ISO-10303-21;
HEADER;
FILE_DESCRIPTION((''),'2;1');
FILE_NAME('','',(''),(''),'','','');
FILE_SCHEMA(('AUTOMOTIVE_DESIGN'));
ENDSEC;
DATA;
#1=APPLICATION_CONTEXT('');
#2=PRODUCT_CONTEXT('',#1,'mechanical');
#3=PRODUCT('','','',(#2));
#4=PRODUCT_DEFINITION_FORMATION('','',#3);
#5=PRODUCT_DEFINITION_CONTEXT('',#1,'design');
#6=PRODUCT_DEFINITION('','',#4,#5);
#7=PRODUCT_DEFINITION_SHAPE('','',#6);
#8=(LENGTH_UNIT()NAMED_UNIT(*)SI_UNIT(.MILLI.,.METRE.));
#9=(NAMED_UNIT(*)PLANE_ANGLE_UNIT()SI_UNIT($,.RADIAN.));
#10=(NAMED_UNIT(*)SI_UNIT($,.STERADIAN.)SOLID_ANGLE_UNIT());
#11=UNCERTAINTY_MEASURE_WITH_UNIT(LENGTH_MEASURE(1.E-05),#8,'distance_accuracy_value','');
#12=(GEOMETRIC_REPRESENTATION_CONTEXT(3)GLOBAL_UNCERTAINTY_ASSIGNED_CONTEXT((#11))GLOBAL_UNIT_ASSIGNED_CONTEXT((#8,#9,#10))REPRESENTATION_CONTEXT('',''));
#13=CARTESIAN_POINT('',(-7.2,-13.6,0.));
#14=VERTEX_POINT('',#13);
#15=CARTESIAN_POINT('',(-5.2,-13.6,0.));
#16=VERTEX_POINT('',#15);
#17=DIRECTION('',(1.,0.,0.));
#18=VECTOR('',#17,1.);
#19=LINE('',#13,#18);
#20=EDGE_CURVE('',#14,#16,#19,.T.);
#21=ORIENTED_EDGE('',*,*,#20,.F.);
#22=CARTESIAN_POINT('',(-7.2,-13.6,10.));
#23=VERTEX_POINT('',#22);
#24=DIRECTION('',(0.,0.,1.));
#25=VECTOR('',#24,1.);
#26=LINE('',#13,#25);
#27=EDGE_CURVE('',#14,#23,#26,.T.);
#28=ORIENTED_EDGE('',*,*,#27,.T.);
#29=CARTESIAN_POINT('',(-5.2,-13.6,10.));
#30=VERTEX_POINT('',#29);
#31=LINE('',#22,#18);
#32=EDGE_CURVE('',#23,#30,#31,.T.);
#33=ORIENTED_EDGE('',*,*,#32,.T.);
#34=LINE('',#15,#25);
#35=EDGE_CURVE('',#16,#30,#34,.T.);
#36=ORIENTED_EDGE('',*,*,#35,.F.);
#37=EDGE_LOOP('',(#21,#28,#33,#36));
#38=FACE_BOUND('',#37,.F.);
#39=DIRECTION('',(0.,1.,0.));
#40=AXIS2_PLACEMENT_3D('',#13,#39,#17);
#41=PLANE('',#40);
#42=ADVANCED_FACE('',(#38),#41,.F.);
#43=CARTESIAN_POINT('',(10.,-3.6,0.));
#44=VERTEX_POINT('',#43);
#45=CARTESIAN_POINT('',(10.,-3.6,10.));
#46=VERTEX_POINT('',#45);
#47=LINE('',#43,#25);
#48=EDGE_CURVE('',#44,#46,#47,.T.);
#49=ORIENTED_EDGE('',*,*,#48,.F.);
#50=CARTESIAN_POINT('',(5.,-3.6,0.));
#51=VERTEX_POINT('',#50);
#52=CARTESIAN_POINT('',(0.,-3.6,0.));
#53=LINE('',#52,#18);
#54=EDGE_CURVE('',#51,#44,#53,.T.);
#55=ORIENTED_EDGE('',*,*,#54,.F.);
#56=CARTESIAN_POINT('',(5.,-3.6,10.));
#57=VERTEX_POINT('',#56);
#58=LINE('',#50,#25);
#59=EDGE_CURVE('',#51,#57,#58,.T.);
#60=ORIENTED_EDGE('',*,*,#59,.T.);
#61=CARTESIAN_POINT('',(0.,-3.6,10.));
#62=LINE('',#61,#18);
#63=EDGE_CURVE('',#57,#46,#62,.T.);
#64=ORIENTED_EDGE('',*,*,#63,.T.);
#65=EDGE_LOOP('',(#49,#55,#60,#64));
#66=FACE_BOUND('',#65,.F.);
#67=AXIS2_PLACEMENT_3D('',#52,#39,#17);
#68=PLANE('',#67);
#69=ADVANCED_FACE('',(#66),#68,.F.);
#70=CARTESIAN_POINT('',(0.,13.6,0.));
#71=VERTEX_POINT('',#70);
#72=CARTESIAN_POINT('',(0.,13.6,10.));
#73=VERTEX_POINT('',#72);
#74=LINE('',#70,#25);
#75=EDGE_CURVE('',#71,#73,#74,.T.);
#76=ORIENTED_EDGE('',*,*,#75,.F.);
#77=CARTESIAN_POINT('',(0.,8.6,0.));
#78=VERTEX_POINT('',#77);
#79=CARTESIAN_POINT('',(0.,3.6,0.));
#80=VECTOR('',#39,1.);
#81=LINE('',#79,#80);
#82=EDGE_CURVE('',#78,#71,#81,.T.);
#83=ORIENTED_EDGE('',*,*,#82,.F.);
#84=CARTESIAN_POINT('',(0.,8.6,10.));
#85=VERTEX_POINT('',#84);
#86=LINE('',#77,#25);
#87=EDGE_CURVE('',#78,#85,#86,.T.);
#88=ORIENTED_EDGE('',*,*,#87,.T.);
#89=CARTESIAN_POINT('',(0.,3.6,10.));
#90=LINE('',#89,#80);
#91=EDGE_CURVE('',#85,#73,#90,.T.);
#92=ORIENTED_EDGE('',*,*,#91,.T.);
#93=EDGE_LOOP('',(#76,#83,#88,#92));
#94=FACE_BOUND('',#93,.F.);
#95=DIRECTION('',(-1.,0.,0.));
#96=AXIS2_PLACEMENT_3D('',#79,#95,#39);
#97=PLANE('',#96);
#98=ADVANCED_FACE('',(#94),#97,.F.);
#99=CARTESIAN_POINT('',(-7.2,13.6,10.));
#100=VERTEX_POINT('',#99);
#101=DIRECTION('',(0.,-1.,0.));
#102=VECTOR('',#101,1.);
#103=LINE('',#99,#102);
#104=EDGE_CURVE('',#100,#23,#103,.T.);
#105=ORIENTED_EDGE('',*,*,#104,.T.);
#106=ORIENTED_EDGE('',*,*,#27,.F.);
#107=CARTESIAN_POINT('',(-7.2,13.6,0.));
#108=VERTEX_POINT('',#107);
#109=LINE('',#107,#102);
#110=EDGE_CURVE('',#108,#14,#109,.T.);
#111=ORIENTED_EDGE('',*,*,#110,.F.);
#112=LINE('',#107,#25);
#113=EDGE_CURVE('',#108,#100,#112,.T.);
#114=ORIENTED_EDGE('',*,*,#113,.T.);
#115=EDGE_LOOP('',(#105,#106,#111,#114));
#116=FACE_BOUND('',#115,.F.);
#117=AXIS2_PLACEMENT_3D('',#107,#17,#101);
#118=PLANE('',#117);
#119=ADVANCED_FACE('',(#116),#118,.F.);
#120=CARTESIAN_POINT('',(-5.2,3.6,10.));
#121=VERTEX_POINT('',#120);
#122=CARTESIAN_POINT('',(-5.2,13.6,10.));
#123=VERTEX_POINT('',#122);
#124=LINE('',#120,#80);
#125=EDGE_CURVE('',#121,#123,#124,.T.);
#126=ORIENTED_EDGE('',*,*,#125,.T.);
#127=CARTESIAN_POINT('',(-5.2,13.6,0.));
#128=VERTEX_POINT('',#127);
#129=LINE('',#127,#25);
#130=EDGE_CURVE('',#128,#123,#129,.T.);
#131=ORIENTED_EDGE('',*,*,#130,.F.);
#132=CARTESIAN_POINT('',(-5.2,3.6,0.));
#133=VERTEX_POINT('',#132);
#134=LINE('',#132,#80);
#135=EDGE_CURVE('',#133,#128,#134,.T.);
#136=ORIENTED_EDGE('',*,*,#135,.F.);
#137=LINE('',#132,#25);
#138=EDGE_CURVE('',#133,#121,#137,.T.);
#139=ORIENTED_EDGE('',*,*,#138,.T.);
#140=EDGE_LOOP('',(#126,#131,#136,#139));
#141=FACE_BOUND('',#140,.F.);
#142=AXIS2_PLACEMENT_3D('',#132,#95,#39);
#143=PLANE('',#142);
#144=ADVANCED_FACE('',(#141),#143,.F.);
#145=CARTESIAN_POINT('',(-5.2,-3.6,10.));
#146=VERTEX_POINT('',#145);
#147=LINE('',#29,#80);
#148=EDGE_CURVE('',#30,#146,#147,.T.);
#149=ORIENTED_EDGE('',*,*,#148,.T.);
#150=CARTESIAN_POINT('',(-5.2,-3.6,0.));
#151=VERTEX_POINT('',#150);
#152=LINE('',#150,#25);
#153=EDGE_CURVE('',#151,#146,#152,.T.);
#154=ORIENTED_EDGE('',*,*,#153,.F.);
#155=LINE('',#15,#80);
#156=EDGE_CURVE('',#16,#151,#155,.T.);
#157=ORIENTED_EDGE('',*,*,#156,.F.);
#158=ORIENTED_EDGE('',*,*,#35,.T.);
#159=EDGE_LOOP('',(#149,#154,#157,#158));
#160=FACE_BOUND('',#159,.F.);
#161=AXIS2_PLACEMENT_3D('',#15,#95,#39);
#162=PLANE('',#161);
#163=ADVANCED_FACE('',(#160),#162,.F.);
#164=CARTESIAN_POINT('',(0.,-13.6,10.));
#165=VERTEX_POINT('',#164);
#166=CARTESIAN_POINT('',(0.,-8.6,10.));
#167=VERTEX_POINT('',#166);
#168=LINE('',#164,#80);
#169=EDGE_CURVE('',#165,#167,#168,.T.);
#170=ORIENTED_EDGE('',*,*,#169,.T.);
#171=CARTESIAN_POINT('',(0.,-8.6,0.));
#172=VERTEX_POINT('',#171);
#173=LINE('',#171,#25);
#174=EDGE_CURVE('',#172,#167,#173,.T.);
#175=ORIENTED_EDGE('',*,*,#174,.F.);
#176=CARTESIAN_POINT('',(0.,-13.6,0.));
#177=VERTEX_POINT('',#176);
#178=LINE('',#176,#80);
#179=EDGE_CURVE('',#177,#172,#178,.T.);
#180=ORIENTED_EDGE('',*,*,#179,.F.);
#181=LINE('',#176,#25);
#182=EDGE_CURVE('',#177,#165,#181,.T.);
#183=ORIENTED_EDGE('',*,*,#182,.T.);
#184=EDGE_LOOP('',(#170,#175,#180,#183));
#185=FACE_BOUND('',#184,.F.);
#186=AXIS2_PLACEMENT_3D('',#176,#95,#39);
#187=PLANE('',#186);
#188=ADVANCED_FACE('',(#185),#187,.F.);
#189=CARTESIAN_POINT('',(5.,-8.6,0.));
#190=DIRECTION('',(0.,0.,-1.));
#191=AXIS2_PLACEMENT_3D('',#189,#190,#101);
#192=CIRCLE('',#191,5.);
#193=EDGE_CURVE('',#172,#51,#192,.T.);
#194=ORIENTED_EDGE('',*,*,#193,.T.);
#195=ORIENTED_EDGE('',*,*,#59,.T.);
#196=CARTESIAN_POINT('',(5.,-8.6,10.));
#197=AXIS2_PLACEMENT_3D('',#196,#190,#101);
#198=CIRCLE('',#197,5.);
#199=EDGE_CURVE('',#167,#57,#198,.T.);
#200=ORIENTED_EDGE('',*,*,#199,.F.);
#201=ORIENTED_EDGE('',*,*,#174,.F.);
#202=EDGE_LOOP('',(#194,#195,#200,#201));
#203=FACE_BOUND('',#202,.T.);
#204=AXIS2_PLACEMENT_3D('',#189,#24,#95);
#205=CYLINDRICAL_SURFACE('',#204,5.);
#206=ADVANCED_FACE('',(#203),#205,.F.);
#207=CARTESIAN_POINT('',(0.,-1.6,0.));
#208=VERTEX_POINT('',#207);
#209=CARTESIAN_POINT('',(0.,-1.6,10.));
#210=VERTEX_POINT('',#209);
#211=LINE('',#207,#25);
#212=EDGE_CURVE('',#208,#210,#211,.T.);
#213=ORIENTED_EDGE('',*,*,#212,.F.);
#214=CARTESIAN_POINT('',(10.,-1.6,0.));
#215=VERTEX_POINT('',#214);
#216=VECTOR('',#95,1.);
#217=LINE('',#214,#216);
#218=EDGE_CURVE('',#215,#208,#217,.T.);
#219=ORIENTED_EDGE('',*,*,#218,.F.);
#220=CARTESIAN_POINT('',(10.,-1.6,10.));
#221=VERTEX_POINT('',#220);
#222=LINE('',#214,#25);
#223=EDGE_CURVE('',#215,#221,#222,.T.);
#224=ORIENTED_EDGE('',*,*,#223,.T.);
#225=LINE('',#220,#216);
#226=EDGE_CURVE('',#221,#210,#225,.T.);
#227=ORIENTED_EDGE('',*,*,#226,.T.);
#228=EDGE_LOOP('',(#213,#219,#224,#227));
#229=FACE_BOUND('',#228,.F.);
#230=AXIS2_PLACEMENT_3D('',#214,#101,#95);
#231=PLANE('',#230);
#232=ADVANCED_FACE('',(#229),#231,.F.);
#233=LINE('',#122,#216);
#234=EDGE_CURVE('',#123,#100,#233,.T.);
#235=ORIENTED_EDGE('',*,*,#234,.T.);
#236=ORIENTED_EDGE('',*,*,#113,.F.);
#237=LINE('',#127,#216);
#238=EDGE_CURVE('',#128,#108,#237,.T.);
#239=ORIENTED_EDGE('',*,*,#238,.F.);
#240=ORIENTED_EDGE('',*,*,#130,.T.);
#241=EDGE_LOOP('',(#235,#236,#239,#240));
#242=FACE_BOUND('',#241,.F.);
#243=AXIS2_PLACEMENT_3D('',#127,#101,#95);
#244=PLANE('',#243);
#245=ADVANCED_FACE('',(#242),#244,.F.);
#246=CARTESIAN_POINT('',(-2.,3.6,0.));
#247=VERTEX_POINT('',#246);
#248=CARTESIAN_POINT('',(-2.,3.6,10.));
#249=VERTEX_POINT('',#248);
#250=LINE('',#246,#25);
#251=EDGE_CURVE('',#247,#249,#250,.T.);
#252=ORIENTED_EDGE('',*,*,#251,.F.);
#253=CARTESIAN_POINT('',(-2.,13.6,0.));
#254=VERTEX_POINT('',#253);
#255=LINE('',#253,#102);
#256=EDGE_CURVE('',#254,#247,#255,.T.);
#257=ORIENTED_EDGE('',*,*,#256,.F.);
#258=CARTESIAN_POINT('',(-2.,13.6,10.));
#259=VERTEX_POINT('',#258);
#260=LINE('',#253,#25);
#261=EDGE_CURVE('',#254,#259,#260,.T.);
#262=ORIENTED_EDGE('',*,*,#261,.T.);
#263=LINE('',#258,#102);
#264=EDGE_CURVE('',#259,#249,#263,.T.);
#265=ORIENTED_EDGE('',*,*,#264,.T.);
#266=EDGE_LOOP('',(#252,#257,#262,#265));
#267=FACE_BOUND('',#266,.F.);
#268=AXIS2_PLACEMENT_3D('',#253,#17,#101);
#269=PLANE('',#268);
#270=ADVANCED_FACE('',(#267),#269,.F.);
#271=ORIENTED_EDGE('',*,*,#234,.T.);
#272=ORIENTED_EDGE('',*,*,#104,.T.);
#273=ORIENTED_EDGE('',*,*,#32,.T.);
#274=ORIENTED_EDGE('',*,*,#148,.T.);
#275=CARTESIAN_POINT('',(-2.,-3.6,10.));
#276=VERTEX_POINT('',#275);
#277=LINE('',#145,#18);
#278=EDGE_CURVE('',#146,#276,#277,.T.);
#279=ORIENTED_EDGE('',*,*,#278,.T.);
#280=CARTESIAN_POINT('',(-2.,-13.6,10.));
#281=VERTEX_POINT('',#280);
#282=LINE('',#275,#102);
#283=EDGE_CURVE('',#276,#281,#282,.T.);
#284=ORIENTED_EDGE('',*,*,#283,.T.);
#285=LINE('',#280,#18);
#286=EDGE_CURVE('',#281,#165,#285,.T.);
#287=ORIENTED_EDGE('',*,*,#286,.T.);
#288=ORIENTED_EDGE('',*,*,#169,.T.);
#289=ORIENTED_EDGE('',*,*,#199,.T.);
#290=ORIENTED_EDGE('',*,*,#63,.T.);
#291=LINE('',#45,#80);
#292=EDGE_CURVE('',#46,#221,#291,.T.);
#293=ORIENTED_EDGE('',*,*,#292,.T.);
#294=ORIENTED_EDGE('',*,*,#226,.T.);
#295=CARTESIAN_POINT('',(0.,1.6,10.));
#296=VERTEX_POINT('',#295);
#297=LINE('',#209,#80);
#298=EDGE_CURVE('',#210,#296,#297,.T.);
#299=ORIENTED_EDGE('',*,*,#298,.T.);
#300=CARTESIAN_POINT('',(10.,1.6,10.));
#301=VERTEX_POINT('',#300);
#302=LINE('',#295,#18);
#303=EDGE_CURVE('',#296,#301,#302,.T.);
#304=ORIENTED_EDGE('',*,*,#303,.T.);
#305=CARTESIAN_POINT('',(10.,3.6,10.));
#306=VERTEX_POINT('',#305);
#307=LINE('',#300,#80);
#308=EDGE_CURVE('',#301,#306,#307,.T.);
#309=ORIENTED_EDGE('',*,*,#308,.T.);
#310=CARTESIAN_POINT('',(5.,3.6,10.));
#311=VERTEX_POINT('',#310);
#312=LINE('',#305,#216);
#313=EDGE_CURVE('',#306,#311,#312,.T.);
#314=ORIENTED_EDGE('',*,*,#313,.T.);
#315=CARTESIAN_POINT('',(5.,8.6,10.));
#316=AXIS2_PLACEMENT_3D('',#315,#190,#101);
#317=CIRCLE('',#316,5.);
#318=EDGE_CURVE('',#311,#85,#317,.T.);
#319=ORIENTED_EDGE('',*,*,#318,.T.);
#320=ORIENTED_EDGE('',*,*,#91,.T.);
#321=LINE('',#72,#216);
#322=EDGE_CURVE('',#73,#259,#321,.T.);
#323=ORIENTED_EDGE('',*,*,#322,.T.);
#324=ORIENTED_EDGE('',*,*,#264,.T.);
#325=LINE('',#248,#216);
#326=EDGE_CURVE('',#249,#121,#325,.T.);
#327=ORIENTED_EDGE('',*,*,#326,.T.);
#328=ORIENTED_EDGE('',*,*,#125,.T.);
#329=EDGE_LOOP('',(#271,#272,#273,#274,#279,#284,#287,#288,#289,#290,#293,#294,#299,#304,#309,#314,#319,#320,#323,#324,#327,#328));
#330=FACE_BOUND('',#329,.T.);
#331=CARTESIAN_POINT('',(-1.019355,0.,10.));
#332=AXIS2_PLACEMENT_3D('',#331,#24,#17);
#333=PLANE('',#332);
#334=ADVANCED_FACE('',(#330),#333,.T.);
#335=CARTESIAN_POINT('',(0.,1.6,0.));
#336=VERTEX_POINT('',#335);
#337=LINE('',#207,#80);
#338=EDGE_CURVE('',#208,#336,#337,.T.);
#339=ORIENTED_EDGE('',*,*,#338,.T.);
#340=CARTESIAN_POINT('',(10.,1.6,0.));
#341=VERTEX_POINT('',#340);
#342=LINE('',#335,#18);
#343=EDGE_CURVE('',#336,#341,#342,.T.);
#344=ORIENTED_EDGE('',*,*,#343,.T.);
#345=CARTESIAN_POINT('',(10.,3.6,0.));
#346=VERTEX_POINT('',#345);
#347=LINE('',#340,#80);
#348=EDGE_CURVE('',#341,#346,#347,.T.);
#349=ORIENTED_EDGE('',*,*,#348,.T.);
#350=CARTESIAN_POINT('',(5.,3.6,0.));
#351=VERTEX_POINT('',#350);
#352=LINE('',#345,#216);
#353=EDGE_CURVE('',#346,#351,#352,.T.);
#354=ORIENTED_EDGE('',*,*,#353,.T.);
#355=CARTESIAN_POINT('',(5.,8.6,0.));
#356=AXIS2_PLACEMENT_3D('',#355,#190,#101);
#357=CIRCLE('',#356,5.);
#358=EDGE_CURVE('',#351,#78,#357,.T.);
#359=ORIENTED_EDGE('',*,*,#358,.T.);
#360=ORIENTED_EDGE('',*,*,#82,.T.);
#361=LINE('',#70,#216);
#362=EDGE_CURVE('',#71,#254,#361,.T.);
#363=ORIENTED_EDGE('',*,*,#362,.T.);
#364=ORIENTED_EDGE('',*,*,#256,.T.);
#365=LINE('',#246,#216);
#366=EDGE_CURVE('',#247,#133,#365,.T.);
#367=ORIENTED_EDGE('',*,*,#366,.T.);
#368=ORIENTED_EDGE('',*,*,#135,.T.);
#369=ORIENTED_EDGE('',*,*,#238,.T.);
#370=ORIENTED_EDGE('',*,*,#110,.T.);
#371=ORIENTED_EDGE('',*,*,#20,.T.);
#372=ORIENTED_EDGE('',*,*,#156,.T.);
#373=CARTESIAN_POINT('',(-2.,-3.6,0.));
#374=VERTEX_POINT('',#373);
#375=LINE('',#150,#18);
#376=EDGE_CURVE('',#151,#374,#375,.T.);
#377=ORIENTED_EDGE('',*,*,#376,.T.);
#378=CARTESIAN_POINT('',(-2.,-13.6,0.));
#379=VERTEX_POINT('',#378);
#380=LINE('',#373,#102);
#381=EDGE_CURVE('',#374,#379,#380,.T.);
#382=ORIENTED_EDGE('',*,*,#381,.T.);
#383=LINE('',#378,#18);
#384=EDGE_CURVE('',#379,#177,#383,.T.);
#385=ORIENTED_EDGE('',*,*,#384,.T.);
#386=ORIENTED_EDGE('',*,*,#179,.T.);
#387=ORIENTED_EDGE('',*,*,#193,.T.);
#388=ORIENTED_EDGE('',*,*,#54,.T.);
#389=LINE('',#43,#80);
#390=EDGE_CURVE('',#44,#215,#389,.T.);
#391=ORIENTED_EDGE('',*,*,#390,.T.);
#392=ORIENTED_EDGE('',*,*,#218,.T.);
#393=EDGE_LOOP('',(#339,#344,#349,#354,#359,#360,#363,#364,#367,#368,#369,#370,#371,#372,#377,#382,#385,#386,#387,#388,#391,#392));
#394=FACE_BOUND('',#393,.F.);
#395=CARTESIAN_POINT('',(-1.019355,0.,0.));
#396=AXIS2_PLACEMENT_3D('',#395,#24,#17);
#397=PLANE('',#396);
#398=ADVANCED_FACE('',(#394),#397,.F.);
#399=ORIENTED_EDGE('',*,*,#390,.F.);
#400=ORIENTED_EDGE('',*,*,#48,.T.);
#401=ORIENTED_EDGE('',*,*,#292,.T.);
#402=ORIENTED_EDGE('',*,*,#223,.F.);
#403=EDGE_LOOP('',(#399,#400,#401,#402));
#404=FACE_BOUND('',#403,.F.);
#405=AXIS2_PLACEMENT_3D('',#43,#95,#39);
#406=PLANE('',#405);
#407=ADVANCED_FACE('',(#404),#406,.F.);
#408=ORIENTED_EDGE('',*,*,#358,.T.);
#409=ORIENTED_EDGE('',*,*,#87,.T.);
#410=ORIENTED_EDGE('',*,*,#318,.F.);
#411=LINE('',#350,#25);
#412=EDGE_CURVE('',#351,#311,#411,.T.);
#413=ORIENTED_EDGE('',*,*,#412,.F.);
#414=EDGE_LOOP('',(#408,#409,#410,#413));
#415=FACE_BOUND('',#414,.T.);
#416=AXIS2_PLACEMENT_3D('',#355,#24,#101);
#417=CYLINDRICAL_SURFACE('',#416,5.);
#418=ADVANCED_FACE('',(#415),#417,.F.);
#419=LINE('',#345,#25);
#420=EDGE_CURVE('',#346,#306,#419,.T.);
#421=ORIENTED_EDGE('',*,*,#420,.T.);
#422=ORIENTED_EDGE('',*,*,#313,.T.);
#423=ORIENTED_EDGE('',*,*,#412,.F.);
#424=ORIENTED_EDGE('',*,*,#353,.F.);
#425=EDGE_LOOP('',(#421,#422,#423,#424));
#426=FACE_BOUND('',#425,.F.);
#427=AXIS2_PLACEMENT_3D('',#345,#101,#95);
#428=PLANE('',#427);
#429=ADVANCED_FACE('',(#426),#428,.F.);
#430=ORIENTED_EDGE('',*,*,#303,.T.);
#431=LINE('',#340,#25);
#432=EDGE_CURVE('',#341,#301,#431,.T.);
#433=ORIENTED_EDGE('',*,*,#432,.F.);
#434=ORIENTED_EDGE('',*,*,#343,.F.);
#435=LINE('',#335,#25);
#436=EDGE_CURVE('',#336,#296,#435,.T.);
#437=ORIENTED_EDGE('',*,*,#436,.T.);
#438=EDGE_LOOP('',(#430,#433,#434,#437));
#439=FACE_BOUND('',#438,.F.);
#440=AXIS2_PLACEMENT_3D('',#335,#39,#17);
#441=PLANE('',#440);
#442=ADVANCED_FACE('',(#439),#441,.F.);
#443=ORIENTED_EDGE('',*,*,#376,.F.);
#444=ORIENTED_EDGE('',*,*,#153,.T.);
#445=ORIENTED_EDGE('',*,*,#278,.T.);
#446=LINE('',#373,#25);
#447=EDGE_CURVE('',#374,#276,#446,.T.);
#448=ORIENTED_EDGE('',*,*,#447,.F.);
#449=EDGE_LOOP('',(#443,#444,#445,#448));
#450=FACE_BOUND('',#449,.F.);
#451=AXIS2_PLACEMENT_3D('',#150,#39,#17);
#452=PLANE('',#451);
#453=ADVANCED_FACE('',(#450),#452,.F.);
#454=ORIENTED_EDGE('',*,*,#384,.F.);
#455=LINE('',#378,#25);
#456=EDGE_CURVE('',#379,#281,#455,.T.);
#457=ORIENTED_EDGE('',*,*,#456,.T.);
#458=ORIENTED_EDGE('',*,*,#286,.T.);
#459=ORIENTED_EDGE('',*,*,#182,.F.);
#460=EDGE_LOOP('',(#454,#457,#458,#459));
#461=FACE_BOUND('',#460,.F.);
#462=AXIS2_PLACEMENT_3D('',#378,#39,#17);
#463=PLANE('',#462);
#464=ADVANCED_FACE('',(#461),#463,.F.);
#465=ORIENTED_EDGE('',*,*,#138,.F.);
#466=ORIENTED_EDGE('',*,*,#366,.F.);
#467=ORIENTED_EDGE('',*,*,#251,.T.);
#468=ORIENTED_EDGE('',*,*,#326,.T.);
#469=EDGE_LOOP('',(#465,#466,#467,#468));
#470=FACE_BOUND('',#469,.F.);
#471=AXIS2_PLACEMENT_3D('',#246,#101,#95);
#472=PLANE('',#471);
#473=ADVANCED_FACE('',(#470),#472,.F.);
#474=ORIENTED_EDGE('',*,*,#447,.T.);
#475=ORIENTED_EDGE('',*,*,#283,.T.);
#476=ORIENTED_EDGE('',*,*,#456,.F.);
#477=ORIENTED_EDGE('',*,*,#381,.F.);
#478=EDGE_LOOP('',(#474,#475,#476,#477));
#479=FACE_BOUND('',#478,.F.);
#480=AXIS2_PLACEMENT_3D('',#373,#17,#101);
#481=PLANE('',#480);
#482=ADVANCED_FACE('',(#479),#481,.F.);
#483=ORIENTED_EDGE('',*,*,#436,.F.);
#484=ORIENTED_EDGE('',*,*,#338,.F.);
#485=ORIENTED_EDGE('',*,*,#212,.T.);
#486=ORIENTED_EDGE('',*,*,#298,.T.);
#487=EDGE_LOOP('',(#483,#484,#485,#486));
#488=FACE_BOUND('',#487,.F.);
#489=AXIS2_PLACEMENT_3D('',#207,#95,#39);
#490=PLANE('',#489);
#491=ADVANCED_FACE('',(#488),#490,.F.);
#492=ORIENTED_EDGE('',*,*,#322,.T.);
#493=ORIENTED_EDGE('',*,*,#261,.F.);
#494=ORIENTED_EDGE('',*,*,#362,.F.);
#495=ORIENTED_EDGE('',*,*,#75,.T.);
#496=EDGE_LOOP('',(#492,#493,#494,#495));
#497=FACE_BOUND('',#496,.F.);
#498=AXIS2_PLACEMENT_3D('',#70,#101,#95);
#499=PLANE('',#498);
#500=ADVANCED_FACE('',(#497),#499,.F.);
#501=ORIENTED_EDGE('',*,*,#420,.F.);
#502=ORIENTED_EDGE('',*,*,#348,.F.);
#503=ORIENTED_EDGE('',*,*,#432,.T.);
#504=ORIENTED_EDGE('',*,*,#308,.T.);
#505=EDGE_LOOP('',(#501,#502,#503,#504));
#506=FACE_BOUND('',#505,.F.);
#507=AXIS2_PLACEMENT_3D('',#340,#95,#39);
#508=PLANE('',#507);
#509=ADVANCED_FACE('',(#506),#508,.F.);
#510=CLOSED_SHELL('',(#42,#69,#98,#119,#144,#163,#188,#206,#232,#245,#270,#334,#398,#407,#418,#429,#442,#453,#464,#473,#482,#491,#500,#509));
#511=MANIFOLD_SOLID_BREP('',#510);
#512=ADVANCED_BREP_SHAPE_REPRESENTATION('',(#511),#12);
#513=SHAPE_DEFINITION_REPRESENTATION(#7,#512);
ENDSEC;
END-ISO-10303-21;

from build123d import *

# Parameters (mm, degrees)
F2_DEPTH = 10
F3_R     = 5


with BuildPart() as f2:
    # F1 (on Top) → F2 (new body)
    with BuildSketch(Plane.XY):
        Polygon((0, 13.6), (-2, 13.6), (-2, 3.6), (-5.2, 3.6), (-5.2, 13.6), (-7.2, 13.6), (-7.2, 3.6), (-7.2, -3.6), (-7.2, -13.6), (-5.2, -13.6), (-5.2, -3.6), (-2, -3.6), (-2, -13.6), (0, -13.6), (0, -3.6), (10, -3.6), (10, -1.6), (0, -1.6), (0, 1.6), (10, 1.6), (10, 3.6), (0, 3.6), align=None)
    extrude(amount=F2_DEPTH)

    # F3
    f3_edges = [f2.edges().sort_by_distance(p)[0] for p in [
        (0, -3.6, 5),
        (0, 3.6, 5),
    ]]
    fillet(f3_edges, radius=F3_R)


solid = f2.part
